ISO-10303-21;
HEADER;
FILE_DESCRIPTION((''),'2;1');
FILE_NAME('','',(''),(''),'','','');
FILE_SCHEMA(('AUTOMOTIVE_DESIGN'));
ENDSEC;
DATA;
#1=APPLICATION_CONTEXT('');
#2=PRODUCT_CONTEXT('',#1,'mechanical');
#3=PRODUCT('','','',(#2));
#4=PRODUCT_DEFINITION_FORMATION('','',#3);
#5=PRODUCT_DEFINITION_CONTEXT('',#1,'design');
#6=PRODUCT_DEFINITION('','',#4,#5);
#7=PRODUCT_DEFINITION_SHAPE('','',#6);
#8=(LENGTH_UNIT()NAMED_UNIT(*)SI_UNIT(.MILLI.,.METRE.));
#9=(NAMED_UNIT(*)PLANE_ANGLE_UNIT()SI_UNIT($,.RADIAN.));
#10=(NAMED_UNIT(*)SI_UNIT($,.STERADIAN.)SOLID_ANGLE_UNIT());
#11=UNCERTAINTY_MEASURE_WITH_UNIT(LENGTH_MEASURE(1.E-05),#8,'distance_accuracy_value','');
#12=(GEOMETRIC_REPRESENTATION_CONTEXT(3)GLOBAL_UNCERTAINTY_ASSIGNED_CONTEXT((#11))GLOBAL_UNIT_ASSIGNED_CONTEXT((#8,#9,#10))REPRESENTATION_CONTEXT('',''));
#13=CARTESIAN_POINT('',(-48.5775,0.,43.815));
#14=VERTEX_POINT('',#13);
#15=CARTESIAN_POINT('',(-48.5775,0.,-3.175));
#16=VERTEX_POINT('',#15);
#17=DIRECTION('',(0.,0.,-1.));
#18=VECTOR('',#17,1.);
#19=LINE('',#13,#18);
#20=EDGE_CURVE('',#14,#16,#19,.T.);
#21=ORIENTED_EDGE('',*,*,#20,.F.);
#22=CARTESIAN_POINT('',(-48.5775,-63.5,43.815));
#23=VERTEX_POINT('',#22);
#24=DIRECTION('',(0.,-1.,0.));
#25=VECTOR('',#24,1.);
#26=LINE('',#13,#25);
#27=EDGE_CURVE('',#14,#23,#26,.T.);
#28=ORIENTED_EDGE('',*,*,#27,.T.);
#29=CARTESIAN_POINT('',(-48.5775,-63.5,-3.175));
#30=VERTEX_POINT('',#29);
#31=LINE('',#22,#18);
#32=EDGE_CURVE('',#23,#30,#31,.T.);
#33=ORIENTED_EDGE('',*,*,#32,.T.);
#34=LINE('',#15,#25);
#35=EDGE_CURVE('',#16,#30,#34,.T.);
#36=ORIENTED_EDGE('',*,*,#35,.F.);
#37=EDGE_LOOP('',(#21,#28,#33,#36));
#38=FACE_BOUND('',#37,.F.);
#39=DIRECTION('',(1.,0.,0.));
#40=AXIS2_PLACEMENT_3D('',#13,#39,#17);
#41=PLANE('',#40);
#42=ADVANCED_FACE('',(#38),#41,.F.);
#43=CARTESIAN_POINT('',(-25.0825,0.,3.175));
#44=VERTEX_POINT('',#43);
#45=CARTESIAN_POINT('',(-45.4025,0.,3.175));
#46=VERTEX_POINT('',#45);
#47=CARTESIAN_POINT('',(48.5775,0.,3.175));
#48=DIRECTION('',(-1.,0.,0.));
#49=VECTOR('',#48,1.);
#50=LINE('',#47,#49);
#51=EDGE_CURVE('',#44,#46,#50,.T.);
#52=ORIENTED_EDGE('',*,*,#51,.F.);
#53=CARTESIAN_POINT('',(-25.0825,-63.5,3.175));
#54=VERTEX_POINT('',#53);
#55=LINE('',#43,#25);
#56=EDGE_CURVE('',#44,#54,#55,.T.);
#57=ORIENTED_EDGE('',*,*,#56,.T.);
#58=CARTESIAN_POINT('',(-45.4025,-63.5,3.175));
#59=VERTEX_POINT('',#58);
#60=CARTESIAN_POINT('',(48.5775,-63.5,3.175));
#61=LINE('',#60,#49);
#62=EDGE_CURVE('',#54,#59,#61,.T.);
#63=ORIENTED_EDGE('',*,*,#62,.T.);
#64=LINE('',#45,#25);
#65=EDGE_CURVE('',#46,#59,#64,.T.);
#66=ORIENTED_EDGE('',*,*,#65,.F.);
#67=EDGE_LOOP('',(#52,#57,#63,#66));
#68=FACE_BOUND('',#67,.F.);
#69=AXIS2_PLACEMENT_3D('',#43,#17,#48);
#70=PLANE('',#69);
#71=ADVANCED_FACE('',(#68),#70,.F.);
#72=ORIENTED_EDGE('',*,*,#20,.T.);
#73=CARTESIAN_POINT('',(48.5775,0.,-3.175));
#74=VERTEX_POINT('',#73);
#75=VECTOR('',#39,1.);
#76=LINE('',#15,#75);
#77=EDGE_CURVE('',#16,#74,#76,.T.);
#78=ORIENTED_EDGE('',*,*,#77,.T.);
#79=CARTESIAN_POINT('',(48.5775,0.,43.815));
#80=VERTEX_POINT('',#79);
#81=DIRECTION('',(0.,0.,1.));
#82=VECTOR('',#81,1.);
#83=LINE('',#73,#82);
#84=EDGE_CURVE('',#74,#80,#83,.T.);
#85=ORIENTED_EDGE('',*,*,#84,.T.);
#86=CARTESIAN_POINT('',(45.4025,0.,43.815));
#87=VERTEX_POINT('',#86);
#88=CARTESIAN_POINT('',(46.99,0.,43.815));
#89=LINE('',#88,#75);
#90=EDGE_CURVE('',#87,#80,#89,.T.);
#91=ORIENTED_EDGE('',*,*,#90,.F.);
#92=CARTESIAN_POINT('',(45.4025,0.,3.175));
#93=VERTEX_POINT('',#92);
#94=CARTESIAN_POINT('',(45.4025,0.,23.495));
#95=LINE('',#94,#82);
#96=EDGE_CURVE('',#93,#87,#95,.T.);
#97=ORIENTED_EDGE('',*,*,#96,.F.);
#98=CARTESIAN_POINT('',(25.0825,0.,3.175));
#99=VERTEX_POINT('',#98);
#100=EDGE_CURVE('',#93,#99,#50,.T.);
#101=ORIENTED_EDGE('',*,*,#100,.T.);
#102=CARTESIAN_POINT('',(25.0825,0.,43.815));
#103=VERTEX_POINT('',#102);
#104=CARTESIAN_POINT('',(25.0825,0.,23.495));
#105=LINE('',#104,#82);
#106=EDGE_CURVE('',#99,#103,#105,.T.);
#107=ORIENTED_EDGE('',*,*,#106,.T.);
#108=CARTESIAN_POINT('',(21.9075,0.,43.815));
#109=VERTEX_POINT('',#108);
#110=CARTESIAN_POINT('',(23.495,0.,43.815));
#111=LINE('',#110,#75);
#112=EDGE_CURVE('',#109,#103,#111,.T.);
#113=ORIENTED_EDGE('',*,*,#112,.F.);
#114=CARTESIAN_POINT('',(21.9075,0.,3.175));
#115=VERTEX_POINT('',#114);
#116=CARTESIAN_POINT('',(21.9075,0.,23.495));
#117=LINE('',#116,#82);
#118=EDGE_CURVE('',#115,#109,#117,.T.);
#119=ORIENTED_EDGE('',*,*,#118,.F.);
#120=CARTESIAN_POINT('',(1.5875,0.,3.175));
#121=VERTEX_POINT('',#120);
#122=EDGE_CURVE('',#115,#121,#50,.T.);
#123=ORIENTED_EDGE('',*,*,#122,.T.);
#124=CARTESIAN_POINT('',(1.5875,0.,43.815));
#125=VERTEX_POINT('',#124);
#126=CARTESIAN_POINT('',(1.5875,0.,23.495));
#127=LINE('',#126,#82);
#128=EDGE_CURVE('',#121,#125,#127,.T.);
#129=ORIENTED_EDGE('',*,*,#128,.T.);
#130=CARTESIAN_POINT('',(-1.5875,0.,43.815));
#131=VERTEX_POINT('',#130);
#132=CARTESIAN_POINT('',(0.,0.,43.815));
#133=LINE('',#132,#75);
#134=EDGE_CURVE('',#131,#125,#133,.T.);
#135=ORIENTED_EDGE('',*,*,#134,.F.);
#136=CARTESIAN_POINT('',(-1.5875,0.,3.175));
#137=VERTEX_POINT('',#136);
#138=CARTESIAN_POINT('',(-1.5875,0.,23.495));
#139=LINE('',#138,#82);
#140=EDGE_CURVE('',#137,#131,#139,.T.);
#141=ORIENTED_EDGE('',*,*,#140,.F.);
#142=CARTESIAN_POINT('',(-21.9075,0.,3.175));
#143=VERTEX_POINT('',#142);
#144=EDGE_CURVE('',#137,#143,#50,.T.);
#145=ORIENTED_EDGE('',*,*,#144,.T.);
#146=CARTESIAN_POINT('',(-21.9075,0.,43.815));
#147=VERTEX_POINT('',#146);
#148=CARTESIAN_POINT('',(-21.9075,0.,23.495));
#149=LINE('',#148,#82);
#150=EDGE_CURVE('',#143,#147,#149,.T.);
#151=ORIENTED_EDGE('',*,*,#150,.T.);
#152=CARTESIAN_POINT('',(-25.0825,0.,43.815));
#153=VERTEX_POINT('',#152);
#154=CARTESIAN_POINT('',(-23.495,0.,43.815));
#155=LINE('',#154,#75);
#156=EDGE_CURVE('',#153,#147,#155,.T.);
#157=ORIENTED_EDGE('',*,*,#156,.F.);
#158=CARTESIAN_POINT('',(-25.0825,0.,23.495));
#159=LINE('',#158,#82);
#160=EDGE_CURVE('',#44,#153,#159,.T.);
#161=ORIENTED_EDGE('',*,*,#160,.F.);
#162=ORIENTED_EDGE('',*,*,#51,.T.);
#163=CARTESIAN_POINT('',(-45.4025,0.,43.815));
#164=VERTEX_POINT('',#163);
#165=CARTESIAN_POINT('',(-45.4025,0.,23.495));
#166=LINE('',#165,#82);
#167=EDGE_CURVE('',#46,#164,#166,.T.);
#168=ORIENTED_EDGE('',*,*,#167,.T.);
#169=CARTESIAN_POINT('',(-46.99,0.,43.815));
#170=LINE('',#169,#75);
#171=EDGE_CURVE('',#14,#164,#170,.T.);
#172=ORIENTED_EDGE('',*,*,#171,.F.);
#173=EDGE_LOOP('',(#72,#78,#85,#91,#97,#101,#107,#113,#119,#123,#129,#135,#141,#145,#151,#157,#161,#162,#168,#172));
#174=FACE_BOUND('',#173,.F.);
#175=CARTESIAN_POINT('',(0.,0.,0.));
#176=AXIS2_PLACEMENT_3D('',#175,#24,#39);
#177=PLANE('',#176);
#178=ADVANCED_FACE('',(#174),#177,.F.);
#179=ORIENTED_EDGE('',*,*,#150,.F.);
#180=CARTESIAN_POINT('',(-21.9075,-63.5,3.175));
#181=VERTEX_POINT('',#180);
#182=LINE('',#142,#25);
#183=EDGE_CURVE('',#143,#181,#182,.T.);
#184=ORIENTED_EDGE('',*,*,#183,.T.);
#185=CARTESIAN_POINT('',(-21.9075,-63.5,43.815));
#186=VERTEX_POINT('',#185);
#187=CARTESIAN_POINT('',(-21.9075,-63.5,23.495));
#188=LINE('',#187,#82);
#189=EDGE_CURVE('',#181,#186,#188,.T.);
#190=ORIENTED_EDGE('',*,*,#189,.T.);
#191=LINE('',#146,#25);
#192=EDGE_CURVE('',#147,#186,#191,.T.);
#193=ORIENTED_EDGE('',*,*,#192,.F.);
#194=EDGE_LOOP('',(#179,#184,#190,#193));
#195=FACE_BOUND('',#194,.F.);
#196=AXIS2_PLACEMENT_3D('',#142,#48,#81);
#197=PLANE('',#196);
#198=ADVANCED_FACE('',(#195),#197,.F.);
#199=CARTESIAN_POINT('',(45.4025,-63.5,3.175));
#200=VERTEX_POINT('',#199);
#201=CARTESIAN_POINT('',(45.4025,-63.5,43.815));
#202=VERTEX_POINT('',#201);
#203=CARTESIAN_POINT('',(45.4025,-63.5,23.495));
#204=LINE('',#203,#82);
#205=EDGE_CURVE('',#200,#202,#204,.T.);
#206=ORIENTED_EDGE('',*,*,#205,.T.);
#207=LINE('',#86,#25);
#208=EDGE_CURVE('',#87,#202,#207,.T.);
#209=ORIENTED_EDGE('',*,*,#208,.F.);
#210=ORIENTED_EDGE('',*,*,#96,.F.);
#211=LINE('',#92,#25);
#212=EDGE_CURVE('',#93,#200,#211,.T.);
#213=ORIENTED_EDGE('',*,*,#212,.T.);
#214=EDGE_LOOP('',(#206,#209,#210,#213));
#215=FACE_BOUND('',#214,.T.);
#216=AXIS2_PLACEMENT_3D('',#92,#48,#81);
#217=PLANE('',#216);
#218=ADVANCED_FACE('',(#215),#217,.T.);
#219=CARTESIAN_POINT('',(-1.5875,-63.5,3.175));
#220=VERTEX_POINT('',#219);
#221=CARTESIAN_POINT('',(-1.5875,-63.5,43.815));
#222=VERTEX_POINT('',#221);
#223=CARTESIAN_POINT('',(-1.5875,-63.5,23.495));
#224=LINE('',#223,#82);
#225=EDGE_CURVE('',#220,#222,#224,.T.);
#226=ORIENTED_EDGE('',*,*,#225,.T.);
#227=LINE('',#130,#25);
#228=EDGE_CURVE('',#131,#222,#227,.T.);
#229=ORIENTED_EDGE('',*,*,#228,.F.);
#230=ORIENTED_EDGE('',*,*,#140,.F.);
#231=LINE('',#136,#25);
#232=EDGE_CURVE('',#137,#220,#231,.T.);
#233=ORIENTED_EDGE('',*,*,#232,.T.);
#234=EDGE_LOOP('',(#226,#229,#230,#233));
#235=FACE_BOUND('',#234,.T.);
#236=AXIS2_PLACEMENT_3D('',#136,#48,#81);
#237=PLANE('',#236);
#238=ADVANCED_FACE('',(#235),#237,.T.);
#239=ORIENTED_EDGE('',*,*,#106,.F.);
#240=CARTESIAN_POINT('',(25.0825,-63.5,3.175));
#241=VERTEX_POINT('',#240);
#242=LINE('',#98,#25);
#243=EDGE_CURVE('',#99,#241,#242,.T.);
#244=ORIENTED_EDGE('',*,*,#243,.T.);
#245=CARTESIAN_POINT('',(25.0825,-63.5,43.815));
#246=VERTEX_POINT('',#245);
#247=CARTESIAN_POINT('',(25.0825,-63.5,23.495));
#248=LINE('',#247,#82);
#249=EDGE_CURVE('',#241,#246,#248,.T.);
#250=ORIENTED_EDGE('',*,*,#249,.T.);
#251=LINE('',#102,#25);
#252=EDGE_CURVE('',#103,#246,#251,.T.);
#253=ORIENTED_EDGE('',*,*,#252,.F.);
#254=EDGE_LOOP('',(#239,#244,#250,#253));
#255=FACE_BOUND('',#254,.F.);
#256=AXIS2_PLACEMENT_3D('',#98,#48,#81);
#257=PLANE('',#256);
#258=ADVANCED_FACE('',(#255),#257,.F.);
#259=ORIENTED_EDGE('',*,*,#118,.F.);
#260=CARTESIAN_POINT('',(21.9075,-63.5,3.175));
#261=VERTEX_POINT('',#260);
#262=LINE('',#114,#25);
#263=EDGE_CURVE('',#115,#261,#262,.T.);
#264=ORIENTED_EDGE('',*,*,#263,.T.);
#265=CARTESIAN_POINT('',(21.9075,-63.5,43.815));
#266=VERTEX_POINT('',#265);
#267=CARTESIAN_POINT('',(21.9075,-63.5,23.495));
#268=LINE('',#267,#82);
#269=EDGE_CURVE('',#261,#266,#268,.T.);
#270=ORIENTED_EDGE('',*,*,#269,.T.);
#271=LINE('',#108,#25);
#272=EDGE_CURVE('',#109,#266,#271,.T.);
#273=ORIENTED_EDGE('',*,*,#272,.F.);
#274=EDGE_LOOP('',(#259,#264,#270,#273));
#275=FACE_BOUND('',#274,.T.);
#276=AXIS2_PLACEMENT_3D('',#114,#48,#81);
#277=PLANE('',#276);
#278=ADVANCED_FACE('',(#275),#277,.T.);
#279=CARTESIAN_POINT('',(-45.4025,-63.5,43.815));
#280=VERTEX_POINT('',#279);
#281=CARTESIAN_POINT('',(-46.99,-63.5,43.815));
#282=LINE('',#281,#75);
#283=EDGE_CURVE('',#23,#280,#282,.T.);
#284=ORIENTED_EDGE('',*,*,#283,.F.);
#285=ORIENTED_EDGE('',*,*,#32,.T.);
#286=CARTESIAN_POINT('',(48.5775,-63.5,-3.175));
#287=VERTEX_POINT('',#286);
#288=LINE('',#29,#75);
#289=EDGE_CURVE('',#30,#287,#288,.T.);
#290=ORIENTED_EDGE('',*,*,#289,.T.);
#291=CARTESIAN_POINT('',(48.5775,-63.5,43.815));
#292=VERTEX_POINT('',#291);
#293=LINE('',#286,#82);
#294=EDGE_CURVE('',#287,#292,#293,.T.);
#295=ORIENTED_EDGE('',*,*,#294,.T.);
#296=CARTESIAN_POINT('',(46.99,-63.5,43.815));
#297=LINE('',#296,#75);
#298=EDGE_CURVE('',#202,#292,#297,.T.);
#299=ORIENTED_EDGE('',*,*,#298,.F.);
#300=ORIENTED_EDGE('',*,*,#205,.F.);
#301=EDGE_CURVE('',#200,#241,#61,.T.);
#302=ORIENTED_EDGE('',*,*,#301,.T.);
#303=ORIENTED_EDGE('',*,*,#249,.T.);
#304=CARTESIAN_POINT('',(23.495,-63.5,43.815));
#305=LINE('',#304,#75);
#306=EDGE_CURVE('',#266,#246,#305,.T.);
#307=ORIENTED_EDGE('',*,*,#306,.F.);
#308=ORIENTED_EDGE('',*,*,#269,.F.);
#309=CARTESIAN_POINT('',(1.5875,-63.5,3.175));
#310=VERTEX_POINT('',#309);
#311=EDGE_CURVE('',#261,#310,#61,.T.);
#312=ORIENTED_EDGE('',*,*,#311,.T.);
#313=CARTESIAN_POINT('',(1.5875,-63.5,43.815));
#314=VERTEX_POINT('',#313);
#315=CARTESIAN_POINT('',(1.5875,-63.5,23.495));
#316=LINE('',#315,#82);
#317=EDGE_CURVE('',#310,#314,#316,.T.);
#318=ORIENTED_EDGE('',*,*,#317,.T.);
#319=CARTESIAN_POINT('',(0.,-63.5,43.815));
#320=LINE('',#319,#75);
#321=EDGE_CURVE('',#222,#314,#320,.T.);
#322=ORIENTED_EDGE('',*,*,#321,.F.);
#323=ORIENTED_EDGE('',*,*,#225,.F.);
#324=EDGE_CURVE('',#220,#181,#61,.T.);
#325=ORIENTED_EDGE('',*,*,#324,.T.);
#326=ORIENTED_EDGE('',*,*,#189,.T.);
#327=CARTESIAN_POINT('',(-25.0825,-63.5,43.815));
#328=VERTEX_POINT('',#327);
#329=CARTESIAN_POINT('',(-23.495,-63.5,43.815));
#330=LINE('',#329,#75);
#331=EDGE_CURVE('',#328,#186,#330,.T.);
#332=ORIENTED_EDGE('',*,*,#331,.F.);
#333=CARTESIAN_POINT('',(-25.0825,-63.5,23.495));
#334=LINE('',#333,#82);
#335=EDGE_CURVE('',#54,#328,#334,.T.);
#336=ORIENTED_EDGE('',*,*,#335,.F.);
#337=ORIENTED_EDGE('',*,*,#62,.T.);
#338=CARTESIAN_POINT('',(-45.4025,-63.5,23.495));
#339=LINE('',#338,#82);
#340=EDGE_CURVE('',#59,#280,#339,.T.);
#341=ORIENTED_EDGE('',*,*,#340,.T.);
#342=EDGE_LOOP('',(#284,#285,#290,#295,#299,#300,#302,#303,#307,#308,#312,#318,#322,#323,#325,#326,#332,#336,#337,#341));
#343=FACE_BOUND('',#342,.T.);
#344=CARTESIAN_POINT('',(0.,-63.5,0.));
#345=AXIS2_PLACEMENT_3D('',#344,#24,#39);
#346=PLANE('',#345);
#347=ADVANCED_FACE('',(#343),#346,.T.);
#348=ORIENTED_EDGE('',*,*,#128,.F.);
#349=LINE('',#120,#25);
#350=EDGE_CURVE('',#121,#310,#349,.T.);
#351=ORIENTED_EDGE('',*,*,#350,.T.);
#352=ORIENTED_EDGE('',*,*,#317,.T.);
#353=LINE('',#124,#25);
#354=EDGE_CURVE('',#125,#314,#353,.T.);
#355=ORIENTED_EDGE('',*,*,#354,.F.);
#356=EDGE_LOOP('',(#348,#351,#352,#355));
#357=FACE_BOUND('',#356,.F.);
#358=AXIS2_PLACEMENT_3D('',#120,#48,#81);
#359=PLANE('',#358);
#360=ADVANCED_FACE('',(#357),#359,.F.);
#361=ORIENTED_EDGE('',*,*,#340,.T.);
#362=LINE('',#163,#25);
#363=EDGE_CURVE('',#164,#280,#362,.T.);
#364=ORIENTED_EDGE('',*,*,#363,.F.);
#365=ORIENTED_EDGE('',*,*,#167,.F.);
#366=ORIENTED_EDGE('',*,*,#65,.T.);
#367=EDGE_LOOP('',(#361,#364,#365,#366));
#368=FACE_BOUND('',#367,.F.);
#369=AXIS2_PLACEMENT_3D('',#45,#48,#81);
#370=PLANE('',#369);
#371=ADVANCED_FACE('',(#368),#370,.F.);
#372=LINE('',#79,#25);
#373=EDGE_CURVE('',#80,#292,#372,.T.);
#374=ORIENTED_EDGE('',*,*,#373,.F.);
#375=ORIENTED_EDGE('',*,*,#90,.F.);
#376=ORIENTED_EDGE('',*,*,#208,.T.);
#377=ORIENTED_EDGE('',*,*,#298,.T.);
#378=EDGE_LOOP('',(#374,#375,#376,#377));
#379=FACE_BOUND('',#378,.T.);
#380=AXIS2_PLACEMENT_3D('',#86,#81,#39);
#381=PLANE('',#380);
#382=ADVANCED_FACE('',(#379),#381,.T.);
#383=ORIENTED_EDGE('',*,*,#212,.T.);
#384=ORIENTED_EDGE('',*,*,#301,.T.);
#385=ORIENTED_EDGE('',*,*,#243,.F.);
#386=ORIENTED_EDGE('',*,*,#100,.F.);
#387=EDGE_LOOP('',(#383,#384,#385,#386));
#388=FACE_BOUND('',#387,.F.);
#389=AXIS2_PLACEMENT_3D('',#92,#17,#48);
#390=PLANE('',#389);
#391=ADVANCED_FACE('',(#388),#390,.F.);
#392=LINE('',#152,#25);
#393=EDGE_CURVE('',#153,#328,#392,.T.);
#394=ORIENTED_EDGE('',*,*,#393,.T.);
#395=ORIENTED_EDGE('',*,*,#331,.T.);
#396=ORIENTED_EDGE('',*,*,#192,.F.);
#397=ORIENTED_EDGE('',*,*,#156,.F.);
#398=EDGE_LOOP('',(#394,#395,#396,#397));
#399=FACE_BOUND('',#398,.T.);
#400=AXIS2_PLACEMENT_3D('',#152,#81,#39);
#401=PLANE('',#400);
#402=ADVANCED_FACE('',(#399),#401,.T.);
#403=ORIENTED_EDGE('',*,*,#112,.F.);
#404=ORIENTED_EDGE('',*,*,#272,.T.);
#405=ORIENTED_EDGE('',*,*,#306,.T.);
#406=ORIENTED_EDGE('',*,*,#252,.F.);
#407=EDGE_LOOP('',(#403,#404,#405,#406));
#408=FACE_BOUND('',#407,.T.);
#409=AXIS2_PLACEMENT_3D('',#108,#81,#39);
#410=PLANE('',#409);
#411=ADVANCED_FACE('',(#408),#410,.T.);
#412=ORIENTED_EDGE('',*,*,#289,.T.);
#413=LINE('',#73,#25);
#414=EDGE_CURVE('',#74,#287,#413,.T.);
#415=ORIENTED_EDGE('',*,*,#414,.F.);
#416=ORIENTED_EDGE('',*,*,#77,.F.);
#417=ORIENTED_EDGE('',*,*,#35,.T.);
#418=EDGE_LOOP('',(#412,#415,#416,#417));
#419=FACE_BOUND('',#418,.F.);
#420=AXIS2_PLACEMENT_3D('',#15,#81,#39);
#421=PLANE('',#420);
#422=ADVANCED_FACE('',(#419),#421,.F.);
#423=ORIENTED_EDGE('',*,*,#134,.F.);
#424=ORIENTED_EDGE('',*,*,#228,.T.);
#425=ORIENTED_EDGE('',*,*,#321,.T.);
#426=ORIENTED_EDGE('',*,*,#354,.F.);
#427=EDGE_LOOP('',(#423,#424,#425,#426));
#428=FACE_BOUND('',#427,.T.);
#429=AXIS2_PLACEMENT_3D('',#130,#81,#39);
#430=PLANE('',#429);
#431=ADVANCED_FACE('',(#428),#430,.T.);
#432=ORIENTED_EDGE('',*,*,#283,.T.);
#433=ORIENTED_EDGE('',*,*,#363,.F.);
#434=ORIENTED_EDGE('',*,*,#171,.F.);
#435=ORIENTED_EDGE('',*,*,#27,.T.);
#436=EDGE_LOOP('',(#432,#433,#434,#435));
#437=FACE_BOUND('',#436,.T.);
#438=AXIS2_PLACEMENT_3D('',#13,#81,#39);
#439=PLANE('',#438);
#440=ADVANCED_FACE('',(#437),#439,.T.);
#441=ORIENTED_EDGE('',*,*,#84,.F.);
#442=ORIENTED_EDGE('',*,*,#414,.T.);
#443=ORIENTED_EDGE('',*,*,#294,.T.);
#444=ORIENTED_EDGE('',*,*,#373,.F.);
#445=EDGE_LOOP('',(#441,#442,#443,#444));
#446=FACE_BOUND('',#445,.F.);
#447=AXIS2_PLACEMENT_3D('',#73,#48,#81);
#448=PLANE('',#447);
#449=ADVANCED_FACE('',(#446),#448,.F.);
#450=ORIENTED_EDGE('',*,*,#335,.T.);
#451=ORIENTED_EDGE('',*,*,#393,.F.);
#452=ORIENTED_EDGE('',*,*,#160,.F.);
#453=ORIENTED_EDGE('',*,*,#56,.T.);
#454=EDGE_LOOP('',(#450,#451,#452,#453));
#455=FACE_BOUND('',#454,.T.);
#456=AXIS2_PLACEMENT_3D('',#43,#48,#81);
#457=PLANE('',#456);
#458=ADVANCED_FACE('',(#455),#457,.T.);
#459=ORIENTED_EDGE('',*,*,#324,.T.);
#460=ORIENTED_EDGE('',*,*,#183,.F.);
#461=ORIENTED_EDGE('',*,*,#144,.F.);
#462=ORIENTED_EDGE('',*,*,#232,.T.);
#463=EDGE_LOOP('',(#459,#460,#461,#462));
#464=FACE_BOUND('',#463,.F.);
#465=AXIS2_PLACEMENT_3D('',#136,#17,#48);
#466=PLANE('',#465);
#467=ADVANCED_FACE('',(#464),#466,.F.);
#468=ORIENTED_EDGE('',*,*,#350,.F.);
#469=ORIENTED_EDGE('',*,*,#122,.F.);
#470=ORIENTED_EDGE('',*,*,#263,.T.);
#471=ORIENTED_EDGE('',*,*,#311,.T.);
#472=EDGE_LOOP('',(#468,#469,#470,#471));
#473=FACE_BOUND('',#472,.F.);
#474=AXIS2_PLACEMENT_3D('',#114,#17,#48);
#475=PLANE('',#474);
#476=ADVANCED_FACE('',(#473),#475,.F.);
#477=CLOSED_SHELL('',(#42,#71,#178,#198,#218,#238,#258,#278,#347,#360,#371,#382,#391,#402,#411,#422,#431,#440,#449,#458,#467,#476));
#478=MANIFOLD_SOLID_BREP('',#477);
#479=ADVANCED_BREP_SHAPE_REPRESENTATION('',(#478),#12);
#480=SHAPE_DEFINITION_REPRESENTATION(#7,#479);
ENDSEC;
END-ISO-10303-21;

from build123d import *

# Parameters (mm, degrees)
F0_W     = 3.175
F0_H     = 40.64
F1_DEPTH = 63.5


with BuildPart() as f1:
    # F0 (on Front) → F1 (new body)
    with BuildSketch(Plane.XZ):
        Polygon((48.5775, -3.175), (48.5775, 3.175), (45.4025, 3.175), (25.0825, 3.175), (21.9075, 3.175), (1.5875, 3.175), (-1.5875, 3.175), (-21.9075, 3.175), (-25.0825, 3.175), (-45.4025, 3.175), (-48.5775, 3.175), (-48.5775, -3.175), align=None)
        with Locations((46.99, 23.495)):
            Rectangle(F0_W, F0_H)
        with Locations((23.495, 23.495)):
            Rectangle(F0_W, F0_H)
        with Locations((-46.99, 23.495)):
            Rectangle(F0_W, F0_H)
        with Locations((0, 23.495)):
            Rectangle(F0_W, F0_H)
        with Locations((-23.495, 23.495)):
            Rectangle(F0_W, F0_H)
    extrude(amount=F1_DEPTH)


solid = f1.part
